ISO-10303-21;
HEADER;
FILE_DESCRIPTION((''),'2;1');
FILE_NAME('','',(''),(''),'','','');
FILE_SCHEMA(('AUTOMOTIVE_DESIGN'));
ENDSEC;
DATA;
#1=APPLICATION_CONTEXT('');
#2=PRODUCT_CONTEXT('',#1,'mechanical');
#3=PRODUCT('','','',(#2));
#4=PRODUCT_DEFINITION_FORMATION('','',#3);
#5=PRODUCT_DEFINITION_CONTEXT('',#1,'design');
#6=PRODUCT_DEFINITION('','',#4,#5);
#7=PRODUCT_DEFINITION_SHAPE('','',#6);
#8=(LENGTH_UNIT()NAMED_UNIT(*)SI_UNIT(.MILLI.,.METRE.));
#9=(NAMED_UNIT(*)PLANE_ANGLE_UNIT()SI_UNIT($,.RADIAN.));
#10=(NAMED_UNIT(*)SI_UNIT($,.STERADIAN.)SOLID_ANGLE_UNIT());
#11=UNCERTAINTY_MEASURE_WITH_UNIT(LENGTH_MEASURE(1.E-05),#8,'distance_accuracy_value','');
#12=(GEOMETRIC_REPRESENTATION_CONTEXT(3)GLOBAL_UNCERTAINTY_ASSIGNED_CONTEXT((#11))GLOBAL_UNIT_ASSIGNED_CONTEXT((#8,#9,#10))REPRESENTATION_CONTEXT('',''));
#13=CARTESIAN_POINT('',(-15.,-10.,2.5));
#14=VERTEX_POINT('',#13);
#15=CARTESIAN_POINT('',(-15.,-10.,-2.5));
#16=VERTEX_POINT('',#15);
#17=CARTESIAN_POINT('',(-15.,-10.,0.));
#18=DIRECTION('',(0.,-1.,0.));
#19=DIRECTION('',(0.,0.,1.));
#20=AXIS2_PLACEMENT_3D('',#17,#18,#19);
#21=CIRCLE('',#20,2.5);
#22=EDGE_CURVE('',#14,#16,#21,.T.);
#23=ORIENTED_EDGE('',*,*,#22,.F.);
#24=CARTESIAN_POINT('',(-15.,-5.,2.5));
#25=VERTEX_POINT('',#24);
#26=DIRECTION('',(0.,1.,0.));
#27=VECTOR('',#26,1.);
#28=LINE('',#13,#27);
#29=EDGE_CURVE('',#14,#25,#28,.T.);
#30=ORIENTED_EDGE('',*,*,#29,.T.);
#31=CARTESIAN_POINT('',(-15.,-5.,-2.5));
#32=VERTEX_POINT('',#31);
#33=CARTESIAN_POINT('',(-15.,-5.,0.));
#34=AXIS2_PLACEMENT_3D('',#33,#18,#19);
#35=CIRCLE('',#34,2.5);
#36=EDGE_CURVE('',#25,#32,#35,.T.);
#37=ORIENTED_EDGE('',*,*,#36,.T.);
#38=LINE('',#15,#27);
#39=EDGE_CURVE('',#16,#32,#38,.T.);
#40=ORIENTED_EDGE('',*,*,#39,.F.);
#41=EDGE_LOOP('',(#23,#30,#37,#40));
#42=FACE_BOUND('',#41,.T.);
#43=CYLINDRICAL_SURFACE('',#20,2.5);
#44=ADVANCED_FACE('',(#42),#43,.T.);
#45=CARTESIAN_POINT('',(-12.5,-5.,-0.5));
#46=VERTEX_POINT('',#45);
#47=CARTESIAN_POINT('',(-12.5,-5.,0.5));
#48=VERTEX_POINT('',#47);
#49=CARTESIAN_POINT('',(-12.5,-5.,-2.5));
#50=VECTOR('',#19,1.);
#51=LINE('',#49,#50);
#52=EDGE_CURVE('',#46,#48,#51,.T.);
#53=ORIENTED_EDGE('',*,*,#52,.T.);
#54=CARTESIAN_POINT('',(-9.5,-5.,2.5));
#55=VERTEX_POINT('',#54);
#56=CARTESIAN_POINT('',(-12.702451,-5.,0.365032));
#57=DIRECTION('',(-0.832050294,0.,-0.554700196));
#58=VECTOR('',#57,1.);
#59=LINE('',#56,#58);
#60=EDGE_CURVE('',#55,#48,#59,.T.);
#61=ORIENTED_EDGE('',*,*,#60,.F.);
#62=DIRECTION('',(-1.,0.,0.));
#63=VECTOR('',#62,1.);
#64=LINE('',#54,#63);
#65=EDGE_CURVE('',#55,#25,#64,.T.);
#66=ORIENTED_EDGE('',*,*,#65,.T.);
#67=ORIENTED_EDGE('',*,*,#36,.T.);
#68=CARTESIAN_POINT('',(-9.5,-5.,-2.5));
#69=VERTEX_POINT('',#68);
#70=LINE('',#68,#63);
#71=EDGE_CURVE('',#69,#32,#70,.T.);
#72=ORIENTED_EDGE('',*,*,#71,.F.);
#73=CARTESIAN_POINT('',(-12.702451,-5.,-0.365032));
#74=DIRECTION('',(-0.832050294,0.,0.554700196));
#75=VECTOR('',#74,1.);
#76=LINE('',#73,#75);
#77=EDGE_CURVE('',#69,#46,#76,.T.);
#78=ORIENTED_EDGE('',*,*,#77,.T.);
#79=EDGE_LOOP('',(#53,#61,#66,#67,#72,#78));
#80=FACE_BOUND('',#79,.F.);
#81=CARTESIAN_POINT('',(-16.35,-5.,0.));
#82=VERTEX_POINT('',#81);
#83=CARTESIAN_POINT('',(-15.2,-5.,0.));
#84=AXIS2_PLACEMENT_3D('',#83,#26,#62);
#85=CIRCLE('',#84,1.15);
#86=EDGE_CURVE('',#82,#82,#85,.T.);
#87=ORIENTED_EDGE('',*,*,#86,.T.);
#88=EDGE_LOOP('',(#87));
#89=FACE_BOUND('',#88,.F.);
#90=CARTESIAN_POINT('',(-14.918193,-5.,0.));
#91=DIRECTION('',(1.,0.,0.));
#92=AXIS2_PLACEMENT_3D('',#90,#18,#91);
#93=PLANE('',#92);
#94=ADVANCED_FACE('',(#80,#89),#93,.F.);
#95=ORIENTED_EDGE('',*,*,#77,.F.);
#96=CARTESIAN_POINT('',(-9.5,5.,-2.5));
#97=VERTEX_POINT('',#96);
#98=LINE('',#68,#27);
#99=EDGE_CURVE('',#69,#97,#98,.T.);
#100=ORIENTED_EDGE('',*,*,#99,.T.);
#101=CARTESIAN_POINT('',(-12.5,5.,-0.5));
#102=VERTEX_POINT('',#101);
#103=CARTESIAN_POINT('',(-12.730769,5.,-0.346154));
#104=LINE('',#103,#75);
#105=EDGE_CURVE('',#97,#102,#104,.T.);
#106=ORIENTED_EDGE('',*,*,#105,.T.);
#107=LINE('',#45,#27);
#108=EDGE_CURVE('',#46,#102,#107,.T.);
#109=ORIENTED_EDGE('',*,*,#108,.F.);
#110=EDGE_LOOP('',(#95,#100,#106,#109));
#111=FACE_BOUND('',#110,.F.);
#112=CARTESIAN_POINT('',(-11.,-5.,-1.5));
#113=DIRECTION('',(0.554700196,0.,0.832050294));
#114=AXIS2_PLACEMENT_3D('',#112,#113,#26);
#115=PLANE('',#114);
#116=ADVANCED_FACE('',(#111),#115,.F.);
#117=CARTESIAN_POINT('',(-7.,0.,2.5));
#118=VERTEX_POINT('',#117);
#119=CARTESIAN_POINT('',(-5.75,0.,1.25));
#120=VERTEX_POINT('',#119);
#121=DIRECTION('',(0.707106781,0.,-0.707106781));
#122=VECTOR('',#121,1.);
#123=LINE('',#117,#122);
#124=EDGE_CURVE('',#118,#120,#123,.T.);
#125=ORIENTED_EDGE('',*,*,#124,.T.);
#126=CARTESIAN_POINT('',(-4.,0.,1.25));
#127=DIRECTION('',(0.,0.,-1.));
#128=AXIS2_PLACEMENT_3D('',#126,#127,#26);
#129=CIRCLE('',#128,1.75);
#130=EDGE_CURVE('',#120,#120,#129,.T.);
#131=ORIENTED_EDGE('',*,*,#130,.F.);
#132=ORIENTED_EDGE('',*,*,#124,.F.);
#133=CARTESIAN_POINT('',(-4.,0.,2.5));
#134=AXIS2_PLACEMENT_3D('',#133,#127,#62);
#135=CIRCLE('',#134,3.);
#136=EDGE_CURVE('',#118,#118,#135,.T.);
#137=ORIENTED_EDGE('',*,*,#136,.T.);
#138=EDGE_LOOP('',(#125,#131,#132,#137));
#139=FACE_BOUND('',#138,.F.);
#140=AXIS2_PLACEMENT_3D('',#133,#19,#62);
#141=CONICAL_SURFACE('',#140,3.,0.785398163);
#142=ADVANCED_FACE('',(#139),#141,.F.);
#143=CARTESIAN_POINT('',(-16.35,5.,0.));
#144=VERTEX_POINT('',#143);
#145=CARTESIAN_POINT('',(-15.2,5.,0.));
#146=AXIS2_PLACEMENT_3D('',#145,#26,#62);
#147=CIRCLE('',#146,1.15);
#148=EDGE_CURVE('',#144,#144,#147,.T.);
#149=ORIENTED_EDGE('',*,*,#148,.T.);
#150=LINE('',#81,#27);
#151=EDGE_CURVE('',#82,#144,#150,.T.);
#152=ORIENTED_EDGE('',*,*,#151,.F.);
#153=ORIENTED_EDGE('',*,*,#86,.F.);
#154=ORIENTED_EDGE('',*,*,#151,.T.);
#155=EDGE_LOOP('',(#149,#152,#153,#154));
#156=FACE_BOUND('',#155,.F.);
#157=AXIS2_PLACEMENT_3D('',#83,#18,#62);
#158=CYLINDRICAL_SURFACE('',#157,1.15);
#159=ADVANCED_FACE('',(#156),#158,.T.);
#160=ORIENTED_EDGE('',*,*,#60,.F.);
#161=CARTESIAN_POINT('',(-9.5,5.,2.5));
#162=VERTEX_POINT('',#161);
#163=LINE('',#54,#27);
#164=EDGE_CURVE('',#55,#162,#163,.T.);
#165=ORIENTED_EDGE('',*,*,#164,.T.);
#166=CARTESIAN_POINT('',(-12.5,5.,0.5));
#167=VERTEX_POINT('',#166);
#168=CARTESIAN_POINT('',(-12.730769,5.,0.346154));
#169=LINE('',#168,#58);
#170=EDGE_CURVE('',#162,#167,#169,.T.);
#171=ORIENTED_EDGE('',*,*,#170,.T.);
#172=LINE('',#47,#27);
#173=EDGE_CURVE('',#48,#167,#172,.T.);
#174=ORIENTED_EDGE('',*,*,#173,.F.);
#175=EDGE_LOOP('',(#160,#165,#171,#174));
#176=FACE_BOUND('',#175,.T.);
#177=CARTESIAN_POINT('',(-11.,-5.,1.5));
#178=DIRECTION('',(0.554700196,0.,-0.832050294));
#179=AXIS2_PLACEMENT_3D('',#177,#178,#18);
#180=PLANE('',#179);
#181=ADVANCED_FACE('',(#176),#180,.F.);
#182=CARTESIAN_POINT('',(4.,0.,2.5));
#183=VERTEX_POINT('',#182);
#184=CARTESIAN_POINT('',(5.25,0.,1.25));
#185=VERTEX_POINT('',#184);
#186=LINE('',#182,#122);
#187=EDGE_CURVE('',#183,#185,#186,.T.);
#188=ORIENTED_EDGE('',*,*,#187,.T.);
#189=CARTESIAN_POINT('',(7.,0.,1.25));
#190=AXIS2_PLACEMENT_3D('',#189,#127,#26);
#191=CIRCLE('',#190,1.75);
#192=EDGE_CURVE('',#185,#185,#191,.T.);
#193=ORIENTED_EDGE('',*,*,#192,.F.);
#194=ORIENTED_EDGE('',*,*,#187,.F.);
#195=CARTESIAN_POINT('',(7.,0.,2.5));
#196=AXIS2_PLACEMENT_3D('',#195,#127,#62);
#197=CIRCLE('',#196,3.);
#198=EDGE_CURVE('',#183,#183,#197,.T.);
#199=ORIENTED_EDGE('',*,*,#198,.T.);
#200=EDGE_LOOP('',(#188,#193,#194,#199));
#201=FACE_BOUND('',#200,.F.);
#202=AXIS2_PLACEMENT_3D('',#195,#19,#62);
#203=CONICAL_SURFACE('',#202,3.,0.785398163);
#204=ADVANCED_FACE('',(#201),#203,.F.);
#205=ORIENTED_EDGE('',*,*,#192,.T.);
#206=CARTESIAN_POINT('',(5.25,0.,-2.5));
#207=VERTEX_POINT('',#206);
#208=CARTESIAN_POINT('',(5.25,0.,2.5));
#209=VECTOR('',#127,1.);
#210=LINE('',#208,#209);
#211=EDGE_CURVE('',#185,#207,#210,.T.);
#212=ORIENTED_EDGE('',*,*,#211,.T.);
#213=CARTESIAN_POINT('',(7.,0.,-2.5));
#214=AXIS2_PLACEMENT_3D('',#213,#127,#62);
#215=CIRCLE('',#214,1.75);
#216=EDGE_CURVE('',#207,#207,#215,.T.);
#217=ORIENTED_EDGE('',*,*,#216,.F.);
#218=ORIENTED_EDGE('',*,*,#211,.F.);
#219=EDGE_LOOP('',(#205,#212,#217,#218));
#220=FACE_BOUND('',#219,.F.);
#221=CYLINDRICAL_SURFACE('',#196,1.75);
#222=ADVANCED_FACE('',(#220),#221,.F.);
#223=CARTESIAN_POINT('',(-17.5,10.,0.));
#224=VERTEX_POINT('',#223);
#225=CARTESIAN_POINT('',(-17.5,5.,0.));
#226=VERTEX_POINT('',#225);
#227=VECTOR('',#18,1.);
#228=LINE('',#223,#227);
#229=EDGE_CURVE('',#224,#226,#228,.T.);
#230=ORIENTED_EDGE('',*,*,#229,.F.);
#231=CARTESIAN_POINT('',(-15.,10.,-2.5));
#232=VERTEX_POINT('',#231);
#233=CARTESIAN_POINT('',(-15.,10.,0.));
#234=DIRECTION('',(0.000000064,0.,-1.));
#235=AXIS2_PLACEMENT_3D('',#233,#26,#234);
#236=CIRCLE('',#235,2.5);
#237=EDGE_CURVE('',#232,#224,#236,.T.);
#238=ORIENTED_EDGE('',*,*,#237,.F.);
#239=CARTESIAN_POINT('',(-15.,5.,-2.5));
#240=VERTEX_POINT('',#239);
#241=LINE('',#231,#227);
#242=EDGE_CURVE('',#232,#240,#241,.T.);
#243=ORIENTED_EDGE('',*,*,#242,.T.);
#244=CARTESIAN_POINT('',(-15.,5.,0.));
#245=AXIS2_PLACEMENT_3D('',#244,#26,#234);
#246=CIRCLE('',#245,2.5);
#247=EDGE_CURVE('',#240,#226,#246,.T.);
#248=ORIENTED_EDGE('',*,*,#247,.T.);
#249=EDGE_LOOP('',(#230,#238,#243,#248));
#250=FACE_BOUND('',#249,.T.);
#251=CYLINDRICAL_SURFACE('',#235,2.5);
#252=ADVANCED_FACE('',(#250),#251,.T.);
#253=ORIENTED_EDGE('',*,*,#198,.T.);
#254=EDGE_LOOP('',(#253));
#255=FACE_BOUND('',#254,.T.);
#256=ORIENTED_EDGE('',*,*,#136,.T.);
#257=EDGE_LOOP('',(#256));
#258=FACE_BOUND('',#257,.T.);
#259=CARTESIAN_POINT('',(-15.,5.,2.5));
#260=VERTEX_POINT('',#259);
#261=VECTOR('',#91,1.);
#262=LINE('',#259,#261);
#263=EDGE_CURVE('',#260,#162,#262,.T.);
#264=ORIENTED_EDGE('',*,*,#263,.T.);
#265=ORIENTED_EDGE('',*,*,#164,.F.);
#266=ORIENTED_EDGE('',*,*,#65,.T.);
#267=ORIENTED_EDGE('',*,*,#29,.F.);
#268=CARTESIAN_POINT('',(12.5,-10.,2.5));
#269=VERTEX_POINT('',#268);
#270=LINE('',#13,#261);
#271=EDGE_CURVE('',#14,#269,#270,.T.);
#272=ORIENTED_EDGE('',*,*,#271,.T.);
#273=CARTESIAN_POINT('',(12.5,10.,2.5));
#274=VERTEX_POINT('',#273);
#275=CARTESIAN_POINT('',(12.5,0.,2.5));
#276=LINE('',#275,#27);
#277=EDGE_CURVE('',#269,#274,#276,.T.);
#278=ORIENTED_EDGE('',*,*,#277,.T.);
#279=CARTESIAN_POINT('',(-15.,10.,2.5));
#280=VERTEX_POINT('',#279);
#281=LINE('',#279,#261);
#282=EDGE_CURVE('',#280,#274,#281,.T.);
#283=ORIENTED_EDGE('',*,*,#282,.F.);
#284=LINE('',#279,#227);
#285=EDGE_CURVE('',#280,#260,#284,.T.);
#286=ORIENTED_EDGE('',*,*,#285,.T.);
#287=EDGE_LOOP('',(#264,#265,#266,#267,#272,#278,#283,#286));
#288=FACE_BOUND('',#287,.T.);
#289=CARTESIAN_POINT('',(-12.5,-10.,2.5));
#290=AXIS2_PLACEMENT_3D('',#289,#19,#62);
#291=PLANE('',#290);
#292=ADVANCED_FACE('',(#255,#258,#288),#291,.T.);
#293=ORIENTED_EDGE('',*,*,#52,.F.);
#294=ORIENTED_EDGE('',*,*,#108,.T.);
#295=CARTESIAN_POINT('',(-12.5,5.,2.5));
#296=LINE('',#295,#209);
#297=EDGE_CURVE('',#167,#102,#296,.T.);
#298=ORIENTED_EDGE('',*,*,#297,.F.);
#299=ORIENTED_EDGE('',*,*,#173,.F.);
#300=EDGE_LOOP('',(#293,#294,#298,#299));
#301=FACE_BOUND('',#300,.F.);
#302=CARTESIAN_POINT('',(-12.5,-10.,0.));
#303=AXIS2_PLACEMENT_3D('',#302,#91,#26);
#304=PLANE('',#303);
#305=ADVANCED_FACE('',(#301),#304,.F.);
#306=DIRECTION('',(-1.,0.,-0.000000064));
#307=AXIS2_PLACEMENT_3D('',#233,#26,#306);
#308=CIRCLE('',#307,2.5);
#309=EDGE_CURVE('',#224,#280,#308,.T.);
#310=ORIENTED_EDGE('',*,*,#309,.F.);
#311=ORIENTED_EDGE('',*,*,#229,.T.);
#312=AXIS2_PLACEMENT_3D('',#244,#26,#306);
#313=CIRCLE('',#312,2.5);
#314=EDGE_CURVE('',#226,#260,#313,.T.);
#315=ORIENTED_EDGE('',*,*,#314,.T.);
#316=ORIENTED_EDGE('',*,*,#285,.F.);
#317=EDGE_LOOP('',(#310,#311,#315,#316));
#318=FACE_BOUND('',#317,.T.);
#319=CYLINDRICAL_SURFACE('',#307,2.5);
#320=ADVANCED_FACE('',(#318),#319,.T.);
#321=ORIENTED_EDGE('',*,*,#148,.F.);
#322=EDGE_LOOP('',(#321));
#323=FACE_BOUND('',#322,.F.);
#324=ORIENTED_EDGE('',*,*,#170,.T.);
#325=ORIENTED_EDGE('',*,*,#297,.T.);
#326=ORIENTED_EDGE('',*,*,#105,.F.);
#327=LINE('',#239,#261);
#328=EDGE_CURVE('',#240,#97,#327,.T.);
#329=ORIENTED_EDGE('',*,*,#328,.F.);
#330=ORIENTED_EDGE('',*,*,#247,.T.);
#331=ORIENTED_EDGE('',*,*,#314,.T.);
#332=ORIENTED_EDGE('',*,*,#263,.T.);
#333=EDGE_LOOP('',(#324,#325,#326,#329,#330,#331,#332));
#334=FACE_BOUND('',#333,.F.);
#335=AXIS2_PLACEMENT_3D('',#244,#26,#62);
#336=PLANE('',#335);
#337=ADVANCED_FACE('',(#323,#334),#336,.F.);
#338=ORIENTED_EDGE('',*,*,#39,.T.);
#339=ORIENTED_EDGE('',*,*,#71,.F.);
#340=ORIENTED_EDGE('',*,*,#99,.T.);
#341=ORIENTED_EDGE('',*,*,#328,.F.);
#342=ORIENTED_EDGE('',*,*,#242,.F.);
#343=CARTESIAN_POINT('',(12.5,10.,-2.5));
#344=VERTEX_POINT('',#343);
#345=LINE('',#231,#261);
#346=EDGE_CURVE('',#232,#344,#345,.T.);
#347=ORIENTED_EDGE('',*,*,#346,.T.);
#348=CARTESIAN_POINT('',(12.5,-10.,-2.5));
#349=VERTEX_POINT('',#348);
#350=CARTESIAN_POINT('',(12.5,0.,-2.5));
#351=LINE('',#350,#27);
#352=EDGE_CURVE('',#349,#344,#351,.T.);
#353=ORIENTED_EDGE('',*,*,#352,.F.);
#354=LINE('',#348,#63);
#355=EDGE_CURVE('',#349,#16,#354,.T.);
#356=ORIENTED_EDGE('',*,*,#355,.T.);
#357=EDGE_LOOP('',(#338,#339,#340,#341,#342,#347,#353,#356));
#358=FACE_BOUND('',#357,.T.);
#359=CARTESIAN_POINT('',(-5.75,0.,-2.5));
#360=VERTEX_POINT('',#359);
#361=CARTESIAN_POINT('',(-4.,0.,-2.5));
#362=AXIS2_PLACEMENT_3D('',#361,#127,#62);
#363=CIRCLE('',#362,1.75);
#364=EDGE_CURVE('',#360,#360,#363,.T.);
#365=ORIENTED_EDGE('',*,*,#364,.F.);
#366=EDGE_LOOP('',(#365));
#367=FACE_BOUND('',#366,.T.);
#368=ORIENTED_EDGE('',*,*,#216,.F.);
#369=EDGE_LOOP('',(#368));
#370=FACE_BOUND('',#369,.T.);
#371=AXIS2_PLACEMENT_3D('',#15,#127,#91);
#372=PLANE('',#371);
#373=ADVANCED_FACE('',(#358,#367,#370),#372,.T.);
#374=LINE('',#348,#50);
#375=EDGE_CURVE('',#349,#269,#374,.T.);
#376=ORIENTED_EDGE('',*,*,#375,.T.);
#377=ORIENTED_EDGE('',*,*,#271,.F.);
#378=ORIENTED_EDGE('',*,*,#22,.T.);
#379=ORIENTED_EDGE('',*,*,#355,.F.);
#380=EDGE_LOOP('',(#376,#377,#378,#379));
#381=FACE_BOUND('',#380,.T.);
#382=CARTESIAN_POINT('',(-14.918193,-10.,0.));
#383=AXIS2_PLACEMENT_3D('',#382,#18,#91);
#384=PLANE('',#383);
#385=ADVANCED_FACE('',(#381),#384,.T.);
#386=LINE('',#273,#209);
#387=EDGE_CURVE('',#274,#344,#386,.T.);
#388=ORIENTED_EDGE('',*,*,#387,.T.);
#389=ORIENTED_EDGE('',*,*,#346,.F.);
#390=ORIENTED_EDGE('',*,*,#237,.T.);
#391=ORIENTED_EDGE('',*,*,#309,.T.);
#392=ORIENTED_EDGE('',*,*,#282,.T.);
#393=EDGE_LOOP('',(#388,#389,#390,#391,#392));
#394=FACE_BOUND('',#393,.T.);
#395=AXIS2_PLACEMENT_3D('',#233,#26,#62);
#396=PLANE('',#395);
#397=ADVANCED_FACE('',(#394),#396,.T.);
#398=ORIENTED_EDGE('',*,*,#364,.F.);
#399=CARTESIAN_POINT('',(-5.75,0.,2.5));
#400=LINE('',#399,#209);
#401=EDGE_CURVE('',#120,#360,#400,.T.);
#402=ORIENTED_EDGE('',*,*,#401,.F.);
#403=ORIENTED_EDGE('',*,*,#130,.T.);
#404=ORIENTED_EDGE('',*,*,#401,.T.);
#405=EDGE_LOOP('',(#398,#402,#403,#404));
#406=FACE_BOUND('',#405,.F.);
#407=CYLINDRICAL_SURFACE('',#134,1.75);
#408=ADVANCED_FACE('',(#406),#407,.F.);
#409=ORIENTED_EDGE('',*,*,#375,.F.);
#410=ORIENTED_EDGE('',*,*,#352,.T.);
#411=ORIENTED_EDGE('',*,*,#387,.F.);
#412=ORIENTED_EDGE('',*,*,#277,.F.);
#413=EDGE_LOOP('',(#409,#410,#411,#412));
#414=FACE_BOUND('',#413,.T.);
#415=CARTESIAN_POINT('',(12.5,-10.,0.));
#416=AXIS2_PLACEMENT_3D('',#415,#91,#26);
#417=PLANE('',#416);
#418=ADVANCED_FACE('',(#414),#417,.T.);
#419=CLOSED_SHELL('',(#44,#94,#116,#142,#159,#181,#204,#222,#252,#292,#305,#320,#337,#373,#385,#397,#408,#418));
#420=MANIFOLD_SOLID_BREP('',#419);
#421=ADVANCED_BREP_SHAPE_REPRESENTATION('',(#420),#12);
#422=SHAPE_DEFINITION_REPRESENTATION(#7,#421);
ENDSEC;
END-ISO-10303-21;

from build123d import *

# Parameters (mm, degrees)
F0_W            = 25
F0_H            = 20
F1_DEPTH        = 2.5
F3_DEPTH        = 5
F5_DEPTH        = 5
F6_R            = 1.15
F7_DEPTH        = 10
F8_SIZE2        = 2
F8_SIZE         = 3
F10_D           = 3.5
F10_CSINK_D     = 6
F10_CSINK_ANGLE = 90


with BuildPart() as f1:
    # F0 (on Top) → F1 (new body, symmetric)
    with BuildSketch(Plane.XY):
        Rectangle(F0_W, F0_H)
    extrude(amount=F1_DEPTH, both=True)

    # F2 (on face) → F3 (join)
    with BuildSketch(Plane(origin=(0, 10, 0), x_dir=(-1, 0, 0), z_dir=(0, 1, 0))):
        with BuildLine():
            ThreePointArc((15, -2.5), (16.767767, -1.767767), (17.5, 0))
            ThreePointArc((17.5, 0), (16.767767, 1.767767), (15, 2.5))
            ThreePointArc((15, 2.5), (13.232233, 1.767767), (12.5, 0))
            ThreePointArc((12.5, 0), (13.232233, -1.767767), (15, -2.5))
        make_face()
        with BuildLine():
            ThreePointArc((12.5, 0), (13.232233, 1.767767), (15, 2.5))
            Line((15, 2.5), (12.5, 2.5))
            Line((12.5, 2.5), (12.5, 0))
        make_face()
        with BuildLine():
            Line((12.5, -2.5), (15, -2.5))
            ThreePointArc((15, -2.5), (13.232233, -1.767767), (12.5, 0))
            Line((12.5, 0), (12.5, -2.5))
        make_face()
    extrude(amount=-F3_DEPTH)

    # F4 (on face) → F5 (join)
    with BuildSketch(Plane.XZ.offset(10)):
        with BuildLine():
            ThreePointArc((-15, -2.5), (-13.232233, -1.767767), (-12.5, 0))
            ThreePointArc((-12.5, 0), (-13.232233, 1.767767), (-15, 2.5))
            ThreePointArc((-15, 2.5), (-17.5, 0), (-15, -2.5))
        make_face()
        with BuildLine():
            Line((-12.5, -2.5), (-12.5, 0))
            ThreePointArc((-12.5, 0), (-13.232233, -1.767767), (-15, -2.5))
            Line((-15, -2.5), (-12.5, -2.5))
        make_face()
        with BuildLine():
            ThreePointArc((-15, 2.5), (-13.232233, 1.767767), (-12.5, 0))
            Line((-12.5, 0), (-12.5, 2.5))
            Line((-12.5, 2.5), (-15, 2.5))
        make_face()
    extrude(amount=-F5_DEPTH)

    # F6 (on face) → F7 (join)
    with BuildSketch(Plane(origin=(0, -5, 0), x_dir=(-1, 0, 0), z_dir=(0, 1, 0))):
        with Locations((15.2, 0)):
            Circle(F6_R)
    extrude(amount=F7_DEPTH)

    # F8
    f8_edges = [f1.edges().sort_by_distance(p)[0] for p in [
        (-12.5, 0, -2.5),
        (-12.5, 0, 2.5),
    ]]
    chamfer(f8_edges, length=F8_SIZE, length2=F8_SIZE2)

    # F10 (through all)
    with Locations(Plane.XY.offset(2.5)):
        with Locations((-4, 0), (7, 0)):
            CounterSinkHole(F10_D / 2, F10_CSINK_D / 2, counter_sink_angle=F10_CSINK_ANGLE)


solid = f1.part
